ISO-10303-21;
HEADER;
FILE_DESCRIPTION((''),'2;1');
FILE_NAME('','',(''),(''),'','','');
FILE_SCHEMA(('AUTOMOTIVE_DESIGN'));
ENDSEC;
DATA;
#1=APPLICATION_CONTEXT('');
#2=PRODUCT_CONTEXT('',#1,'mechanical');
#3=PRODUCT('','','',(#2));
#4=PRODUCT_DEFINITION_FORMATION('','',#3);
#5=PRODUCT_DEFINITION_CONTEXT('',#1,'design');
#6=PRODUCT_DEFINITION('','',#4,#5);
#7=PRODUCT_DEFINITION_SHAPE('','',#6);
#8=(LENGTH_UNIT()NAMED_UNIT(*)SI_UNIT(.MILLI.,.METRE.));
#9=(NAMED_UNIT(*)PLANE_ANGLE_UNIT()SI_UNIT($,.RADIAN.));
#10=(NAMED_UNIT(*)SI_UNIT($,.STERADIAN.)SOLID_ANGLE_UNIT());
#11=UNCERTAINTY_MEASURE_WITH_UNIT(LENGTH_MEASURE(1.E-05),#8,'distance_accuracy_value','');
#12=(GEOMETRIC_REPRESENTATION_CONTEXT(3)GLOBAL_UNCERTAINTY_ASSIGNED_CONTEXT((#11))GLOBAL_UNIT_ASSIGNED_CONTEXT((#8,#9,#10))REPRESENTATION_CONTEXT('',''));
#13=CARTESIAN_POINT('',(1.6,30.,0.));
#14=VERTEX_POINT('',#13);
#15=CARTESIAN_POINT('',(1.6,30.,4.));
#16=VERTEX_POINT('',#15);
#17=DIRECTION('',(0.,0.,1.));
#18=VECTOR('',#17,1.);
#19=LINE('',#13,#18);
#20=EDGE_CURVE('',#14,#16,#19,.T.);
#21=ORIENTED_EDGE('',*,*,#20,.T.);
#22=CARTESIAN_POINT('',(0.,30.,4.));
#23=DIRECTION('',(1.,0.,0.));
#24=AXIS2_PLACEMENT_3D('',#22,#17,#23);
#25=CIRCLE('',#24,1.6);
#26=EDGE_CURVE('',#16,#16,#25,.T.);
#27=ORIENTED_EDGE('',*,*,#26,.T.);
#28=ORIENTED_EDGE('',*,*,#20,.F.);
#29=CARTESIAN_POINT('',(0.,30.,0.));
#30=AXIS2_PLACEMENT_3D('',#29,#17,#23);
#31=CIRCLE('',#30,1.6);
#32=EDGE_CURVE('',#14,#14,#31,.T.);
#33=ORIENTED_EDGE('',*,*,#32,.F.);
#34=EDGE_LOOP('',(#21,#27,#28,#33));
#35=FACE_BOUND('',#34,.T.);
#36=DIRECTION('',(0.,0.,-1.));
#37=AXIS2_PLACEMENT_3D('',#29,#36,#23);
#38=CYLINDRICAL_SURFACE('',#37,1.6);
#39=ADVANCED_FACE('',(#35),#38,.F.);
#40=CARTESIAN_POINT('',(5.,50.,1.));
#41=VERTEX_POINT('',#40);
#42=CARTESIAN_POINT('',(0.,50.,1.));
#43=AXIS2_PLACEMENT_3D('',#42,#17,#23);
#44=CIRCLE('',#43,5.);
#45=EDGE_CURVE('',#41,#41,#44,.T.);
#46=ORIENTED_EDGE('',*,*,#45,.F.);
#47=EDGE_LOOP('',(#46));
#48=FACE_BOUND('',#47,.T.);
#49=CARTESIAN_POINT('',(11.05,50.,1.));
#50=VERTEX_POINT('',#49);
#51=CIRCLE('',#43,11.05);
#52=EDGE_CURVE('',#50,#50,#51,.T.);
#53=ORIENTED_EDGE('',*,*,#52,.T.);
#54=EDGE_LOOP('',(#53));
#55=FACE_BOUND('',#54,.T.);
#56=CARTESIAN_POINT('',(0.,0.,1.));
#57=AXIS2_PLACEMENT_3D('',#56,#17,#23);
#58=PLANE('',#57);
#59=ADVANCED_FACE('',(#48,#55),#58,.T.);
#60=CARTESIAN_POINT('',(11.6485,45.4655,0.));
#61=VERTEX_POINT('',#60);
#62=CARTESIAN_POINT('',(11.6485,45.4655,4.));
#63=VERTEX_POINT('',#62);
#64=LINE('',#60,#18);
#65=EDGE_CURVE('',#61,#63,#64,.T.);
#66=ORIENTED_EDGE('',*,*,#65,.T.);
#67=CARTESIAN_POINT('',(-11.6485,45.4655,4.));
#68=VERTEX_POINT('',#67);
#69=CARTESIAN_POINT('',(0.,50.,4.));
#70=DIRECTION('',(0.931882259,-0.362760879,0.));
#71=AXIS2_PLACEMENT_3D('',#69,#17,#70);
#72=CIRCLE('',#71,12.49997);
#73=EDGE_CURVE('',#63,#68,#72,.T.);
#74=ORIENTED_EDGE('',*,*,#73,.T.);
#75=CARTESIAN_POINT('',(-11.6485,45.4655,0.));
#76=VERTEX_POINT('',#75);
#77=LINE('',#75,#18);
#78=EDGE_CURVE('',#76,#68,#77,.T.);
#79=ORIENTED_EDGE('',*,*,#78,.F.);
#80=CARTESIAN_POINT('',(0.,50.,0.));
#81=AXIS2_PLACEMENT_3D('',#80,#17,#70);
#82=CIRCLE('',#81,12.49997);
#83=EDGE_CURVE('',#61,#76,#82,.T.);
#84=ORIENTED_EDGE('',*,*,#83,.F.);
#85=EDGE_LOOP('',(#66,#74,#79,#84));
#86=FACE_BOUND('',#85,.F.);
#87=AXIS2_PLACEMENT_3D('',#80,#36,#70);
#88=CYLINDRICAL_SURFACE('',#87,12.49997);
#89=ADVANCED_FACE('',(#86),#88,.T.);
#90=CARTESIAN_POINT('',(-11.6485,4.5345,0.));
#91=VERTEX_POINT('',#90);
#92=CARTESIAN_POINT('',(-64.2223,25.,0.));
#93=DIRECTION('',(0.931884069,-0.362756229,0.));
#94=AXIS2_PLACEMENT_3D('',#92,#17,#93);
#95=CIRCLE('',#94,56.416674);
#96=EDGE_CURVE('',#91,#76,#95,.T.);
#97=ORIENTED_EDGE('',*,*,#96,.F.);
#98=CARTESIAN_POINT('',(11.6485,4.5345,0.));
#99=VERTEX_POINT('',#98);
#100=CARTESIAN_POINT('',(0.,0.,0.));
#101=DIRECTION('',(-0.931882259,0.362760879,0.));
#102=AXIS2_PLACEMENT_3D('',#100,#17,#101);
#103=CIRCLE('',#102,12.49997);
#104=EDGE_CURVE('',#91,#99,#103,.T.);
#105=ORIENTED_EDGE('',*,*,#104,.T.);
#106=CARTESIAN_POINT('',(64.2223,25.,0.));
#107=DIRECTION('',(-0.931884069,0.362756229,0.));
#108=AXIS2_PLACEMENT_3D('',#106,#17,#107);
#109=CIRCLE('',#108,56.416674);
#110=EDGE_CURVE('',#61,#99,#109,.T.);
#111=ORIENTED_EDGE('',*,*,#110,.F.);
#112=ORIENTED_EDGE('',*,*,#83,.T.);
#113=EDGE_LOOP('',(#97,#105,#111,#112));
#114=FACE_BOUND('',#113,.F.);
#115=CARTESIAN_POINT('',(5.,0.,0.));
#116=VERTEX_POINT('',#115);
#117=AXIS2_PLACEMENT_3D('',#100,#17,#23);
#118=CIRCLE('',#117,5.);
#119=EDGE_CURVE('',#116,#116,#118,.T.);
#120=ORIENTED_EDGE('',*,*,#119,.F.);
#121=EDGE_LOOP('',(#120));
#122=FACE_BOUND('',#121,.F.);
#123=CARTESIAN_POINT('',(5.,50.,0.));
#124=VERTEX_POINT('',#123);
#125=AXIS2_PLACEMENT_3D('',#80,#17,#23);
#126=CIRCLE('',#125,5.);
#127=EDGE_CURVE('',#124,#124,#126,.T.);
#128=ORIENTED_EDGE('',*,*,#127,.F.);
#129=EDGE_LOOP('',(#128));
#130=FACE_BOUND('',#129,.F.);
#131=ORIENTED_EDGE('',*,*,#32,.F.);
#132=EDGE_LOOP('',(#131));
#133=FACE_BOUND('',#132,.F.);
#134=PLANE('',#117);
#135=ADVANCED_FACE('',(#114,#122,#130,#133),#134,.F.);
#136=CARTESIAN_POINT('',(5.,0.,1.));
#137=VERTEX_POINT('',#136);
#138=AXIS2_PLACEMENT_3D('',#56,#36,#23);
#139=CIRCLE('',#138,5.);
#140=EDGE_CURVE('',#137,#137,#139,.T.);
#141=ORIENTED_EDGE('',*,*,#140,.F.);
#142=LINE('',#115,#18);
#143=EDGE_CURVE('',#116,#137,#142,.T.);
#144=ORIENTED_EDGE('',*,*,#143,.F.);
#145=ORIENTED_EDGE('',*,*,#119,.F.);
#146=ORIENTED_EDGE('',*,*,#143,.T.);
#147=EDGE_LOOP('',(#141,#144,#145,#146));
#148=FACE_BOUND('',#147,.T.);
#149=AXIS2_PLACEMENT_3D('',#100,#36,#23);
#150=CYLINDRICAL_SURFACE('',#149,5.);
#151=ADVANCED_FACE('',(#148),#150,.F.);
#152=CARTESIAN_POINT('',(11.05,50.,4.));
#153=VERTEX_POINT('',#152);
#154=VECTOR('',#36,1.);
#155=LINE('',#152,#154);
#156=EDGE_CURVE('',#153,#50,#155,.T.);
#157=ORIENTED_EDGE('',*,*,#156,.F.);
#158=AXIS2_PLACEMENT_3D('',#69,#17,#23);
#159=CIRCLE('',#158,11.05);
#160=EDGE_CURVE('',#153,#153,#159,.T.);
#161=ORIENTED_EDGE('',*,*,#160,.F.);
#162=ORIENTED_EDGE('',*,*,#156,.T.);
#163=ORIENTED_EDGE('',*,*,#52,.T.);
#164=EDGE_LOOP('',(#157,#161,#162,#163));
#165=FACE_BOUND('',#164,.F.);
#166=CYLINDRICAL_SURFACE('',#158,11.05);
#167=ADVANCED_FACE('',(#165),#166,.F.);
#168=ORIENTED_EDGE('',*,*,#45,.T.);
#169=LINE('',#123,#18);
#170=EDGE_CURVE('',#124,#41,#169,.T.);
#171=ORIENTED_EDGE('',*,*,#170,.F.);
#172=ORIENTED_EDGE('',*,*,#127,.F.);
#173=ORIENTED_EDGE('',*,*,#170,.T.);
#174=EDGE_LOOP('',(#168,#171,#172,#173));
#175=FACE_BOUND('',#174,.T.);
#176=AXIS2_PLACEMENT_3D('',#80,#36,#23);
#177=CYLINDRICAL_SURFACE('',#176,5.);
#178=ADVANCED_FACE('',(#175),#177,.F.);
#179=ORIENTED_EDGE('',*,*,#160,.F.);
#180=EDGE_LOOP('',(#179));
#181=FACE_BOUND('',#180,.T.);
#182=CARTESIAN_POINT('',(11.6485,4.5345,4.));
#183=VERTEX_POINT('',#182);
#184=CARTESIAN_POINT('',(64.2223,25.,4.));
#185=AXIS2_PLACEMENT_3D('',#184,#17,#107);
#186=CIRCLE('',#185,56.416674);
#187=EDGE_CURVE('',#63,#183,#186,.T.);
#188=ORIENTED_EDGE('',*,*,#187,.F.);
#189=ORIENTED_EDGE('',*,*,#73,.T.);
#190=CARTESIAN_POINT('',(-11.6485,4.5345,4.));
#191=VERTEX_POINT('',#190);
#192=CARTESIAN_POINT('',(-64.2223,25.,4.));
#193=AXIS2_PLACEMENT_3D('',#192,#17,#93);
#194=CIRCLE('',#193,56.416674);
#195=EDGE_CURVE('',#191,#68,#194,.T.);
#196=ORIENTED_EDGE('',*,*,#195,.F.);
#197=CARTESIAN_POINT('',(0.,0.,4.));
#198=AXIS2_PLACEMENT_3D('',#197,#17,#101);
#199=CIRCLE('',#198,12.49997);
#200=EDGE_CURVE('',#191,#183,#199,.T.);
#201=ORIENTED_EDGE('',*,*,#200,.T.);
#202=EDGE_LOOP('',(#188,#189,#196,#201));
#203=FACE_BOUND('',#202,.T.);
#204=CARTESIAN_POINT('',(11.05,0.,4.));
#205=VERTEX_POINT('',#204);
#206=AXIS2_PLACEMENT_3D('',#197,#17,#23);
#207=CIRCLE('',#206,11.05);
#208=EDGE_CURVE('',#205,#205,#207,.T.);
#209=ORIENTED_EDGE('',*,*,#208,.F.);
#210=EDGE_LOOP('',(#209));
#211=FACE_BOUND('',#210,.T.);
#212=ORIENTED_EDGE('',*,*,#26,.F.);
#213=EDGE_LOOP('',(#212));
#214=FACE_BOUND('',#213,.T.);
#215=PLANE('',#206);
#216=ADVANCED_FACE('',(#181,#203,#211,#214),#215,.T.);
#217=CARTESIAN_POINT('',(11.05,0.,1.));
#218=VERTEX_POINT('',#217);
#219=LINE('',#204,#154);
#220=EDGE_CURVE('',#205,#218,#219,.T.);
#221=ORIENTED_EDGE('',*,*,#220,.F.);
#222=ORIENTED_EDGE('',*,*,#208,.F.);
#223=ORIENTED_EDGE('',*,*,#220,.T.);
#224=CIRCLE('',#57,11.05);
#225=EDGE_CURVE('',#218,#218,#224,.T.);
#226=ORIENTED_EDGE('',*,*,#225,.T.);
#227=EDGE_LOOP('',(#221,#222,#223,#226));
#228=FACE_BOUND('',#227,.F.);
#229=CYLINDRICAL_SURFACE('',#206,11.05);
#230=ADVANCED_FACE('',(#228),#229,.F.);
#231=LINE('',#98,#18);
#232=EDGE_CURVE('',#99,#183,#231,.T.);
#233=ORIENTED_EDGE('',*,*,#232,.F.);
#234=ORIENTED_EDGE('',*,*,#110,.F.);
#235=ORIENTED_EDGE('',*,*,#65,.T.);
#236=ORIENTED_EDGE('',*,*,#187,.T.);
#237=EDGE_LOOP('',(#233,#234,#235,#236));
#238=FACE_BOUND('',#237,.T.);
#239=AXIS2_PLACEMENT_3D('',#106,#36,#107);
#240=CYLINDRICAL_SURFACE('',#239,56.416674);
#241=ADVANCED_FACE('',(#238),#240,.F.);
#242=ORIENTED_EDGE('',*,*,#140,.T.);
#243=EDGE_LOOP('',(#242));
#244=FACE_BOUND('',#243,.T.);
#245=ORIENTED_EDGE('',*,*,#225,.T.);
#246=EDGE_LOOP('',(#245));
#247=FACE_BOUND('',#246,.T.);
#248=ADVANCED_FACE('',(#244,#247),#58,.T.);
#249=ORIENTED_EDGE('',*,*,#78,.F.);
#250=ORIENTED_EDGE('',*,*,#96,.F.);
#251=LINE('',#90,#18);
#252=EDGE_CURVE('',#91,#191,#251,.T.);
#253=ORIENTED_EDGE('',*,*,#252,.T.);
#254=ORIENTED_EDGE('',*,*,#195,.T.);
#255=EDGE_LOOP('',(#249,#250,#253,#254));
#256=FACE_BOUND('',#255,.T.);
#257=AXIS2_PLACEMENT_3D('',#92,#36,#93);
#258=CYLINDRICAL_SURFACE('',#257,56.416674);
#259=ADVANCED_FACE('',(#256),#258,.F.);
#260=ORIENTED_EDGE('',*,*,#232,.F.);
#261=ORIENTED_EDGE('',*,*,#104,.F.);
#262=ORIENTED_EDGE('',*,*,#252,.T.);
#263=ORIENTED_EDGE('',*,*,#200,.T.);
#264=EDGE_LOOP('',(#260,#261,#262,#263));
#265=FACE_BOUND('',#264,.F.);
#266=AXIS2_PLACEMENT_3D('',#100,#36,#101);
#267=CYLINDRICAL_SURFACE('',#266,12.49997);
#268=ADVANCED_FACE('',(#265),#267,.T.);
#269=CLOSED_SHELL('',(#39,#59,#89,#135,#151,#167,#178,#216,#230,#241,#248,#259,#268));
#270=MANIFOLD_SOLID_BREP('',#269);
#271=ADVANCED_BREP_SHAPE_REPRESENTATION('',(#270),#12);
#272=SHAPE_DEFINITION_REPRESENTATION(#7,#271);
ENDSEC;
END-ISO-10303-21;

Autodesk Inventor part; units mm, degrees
ref_plane "YZ Plane" through (0, 0, 0) normal (1, 0, 0) x (0, 1, 0)
ref_plane "XZ Plane" through (0, 0, 0) normal (0, 1, 0) x (-1, 0, 0)
ref_plane "XY Plane" through (0, 0, 0) normal (0, 0, 1) x (1, 0, 0)
sketch "スケッチ1" plane through (0, 0, 0) normal (0, 0, 1) x (1, 0, 0)
  circle A0 centre (0, 0) radius 5
  circle A1 centre (0, 50) radius 5
  arc A2 (11.6485, 45.4655) -> (-11.6485, 45.4655) centre (0, 50) ccw
  arc A3 (-11.6485, 4.5345) -> (11.6485, 4.5345) centre (0, 0) ccw
  circle A4 centre (0, 30) radius 1.6
  circle A5 centre (0, 30) radius 8 construction
  arc A6 (-11.6485, 4.5345) -> (-11.6485, 45.4655) centre (-64.2223, 25) ccw
  arc A7 (11.6485, 45.4655) -> (11.6485, 4.5345) centre (64.2223, 25) ccw
  dimension "d0" = 10
  dimension "d1" = 10
  dimension "d2" = 50
  dimension "d3" = 12.5
  dimension "d4" = 12.5
  dimension "d11" = 3.2
  dimension "d12" = 20
  dimension "d13" = 16
extrude "押し出し1" add sketch "スケッチ1" along normal blind 4
sketch "スケッチ2" plane through (0, 0, 4) normal (0, 0, 1) x (1, 0, 0)
  circle A0 centre (0, 0) radius 11.05
  circle A1 centre (0, 50) radius 5 projected
  circle A2 centre (0, 50) radius 11.05
  dimension "d7" = 22.1
  dimension "d8" = 22.1
extrude "押し出し2" cut sketch "スケッチ2" against normal blind 3
properties part number "ハンド_リンク1" material "アルミニウム 6061"
